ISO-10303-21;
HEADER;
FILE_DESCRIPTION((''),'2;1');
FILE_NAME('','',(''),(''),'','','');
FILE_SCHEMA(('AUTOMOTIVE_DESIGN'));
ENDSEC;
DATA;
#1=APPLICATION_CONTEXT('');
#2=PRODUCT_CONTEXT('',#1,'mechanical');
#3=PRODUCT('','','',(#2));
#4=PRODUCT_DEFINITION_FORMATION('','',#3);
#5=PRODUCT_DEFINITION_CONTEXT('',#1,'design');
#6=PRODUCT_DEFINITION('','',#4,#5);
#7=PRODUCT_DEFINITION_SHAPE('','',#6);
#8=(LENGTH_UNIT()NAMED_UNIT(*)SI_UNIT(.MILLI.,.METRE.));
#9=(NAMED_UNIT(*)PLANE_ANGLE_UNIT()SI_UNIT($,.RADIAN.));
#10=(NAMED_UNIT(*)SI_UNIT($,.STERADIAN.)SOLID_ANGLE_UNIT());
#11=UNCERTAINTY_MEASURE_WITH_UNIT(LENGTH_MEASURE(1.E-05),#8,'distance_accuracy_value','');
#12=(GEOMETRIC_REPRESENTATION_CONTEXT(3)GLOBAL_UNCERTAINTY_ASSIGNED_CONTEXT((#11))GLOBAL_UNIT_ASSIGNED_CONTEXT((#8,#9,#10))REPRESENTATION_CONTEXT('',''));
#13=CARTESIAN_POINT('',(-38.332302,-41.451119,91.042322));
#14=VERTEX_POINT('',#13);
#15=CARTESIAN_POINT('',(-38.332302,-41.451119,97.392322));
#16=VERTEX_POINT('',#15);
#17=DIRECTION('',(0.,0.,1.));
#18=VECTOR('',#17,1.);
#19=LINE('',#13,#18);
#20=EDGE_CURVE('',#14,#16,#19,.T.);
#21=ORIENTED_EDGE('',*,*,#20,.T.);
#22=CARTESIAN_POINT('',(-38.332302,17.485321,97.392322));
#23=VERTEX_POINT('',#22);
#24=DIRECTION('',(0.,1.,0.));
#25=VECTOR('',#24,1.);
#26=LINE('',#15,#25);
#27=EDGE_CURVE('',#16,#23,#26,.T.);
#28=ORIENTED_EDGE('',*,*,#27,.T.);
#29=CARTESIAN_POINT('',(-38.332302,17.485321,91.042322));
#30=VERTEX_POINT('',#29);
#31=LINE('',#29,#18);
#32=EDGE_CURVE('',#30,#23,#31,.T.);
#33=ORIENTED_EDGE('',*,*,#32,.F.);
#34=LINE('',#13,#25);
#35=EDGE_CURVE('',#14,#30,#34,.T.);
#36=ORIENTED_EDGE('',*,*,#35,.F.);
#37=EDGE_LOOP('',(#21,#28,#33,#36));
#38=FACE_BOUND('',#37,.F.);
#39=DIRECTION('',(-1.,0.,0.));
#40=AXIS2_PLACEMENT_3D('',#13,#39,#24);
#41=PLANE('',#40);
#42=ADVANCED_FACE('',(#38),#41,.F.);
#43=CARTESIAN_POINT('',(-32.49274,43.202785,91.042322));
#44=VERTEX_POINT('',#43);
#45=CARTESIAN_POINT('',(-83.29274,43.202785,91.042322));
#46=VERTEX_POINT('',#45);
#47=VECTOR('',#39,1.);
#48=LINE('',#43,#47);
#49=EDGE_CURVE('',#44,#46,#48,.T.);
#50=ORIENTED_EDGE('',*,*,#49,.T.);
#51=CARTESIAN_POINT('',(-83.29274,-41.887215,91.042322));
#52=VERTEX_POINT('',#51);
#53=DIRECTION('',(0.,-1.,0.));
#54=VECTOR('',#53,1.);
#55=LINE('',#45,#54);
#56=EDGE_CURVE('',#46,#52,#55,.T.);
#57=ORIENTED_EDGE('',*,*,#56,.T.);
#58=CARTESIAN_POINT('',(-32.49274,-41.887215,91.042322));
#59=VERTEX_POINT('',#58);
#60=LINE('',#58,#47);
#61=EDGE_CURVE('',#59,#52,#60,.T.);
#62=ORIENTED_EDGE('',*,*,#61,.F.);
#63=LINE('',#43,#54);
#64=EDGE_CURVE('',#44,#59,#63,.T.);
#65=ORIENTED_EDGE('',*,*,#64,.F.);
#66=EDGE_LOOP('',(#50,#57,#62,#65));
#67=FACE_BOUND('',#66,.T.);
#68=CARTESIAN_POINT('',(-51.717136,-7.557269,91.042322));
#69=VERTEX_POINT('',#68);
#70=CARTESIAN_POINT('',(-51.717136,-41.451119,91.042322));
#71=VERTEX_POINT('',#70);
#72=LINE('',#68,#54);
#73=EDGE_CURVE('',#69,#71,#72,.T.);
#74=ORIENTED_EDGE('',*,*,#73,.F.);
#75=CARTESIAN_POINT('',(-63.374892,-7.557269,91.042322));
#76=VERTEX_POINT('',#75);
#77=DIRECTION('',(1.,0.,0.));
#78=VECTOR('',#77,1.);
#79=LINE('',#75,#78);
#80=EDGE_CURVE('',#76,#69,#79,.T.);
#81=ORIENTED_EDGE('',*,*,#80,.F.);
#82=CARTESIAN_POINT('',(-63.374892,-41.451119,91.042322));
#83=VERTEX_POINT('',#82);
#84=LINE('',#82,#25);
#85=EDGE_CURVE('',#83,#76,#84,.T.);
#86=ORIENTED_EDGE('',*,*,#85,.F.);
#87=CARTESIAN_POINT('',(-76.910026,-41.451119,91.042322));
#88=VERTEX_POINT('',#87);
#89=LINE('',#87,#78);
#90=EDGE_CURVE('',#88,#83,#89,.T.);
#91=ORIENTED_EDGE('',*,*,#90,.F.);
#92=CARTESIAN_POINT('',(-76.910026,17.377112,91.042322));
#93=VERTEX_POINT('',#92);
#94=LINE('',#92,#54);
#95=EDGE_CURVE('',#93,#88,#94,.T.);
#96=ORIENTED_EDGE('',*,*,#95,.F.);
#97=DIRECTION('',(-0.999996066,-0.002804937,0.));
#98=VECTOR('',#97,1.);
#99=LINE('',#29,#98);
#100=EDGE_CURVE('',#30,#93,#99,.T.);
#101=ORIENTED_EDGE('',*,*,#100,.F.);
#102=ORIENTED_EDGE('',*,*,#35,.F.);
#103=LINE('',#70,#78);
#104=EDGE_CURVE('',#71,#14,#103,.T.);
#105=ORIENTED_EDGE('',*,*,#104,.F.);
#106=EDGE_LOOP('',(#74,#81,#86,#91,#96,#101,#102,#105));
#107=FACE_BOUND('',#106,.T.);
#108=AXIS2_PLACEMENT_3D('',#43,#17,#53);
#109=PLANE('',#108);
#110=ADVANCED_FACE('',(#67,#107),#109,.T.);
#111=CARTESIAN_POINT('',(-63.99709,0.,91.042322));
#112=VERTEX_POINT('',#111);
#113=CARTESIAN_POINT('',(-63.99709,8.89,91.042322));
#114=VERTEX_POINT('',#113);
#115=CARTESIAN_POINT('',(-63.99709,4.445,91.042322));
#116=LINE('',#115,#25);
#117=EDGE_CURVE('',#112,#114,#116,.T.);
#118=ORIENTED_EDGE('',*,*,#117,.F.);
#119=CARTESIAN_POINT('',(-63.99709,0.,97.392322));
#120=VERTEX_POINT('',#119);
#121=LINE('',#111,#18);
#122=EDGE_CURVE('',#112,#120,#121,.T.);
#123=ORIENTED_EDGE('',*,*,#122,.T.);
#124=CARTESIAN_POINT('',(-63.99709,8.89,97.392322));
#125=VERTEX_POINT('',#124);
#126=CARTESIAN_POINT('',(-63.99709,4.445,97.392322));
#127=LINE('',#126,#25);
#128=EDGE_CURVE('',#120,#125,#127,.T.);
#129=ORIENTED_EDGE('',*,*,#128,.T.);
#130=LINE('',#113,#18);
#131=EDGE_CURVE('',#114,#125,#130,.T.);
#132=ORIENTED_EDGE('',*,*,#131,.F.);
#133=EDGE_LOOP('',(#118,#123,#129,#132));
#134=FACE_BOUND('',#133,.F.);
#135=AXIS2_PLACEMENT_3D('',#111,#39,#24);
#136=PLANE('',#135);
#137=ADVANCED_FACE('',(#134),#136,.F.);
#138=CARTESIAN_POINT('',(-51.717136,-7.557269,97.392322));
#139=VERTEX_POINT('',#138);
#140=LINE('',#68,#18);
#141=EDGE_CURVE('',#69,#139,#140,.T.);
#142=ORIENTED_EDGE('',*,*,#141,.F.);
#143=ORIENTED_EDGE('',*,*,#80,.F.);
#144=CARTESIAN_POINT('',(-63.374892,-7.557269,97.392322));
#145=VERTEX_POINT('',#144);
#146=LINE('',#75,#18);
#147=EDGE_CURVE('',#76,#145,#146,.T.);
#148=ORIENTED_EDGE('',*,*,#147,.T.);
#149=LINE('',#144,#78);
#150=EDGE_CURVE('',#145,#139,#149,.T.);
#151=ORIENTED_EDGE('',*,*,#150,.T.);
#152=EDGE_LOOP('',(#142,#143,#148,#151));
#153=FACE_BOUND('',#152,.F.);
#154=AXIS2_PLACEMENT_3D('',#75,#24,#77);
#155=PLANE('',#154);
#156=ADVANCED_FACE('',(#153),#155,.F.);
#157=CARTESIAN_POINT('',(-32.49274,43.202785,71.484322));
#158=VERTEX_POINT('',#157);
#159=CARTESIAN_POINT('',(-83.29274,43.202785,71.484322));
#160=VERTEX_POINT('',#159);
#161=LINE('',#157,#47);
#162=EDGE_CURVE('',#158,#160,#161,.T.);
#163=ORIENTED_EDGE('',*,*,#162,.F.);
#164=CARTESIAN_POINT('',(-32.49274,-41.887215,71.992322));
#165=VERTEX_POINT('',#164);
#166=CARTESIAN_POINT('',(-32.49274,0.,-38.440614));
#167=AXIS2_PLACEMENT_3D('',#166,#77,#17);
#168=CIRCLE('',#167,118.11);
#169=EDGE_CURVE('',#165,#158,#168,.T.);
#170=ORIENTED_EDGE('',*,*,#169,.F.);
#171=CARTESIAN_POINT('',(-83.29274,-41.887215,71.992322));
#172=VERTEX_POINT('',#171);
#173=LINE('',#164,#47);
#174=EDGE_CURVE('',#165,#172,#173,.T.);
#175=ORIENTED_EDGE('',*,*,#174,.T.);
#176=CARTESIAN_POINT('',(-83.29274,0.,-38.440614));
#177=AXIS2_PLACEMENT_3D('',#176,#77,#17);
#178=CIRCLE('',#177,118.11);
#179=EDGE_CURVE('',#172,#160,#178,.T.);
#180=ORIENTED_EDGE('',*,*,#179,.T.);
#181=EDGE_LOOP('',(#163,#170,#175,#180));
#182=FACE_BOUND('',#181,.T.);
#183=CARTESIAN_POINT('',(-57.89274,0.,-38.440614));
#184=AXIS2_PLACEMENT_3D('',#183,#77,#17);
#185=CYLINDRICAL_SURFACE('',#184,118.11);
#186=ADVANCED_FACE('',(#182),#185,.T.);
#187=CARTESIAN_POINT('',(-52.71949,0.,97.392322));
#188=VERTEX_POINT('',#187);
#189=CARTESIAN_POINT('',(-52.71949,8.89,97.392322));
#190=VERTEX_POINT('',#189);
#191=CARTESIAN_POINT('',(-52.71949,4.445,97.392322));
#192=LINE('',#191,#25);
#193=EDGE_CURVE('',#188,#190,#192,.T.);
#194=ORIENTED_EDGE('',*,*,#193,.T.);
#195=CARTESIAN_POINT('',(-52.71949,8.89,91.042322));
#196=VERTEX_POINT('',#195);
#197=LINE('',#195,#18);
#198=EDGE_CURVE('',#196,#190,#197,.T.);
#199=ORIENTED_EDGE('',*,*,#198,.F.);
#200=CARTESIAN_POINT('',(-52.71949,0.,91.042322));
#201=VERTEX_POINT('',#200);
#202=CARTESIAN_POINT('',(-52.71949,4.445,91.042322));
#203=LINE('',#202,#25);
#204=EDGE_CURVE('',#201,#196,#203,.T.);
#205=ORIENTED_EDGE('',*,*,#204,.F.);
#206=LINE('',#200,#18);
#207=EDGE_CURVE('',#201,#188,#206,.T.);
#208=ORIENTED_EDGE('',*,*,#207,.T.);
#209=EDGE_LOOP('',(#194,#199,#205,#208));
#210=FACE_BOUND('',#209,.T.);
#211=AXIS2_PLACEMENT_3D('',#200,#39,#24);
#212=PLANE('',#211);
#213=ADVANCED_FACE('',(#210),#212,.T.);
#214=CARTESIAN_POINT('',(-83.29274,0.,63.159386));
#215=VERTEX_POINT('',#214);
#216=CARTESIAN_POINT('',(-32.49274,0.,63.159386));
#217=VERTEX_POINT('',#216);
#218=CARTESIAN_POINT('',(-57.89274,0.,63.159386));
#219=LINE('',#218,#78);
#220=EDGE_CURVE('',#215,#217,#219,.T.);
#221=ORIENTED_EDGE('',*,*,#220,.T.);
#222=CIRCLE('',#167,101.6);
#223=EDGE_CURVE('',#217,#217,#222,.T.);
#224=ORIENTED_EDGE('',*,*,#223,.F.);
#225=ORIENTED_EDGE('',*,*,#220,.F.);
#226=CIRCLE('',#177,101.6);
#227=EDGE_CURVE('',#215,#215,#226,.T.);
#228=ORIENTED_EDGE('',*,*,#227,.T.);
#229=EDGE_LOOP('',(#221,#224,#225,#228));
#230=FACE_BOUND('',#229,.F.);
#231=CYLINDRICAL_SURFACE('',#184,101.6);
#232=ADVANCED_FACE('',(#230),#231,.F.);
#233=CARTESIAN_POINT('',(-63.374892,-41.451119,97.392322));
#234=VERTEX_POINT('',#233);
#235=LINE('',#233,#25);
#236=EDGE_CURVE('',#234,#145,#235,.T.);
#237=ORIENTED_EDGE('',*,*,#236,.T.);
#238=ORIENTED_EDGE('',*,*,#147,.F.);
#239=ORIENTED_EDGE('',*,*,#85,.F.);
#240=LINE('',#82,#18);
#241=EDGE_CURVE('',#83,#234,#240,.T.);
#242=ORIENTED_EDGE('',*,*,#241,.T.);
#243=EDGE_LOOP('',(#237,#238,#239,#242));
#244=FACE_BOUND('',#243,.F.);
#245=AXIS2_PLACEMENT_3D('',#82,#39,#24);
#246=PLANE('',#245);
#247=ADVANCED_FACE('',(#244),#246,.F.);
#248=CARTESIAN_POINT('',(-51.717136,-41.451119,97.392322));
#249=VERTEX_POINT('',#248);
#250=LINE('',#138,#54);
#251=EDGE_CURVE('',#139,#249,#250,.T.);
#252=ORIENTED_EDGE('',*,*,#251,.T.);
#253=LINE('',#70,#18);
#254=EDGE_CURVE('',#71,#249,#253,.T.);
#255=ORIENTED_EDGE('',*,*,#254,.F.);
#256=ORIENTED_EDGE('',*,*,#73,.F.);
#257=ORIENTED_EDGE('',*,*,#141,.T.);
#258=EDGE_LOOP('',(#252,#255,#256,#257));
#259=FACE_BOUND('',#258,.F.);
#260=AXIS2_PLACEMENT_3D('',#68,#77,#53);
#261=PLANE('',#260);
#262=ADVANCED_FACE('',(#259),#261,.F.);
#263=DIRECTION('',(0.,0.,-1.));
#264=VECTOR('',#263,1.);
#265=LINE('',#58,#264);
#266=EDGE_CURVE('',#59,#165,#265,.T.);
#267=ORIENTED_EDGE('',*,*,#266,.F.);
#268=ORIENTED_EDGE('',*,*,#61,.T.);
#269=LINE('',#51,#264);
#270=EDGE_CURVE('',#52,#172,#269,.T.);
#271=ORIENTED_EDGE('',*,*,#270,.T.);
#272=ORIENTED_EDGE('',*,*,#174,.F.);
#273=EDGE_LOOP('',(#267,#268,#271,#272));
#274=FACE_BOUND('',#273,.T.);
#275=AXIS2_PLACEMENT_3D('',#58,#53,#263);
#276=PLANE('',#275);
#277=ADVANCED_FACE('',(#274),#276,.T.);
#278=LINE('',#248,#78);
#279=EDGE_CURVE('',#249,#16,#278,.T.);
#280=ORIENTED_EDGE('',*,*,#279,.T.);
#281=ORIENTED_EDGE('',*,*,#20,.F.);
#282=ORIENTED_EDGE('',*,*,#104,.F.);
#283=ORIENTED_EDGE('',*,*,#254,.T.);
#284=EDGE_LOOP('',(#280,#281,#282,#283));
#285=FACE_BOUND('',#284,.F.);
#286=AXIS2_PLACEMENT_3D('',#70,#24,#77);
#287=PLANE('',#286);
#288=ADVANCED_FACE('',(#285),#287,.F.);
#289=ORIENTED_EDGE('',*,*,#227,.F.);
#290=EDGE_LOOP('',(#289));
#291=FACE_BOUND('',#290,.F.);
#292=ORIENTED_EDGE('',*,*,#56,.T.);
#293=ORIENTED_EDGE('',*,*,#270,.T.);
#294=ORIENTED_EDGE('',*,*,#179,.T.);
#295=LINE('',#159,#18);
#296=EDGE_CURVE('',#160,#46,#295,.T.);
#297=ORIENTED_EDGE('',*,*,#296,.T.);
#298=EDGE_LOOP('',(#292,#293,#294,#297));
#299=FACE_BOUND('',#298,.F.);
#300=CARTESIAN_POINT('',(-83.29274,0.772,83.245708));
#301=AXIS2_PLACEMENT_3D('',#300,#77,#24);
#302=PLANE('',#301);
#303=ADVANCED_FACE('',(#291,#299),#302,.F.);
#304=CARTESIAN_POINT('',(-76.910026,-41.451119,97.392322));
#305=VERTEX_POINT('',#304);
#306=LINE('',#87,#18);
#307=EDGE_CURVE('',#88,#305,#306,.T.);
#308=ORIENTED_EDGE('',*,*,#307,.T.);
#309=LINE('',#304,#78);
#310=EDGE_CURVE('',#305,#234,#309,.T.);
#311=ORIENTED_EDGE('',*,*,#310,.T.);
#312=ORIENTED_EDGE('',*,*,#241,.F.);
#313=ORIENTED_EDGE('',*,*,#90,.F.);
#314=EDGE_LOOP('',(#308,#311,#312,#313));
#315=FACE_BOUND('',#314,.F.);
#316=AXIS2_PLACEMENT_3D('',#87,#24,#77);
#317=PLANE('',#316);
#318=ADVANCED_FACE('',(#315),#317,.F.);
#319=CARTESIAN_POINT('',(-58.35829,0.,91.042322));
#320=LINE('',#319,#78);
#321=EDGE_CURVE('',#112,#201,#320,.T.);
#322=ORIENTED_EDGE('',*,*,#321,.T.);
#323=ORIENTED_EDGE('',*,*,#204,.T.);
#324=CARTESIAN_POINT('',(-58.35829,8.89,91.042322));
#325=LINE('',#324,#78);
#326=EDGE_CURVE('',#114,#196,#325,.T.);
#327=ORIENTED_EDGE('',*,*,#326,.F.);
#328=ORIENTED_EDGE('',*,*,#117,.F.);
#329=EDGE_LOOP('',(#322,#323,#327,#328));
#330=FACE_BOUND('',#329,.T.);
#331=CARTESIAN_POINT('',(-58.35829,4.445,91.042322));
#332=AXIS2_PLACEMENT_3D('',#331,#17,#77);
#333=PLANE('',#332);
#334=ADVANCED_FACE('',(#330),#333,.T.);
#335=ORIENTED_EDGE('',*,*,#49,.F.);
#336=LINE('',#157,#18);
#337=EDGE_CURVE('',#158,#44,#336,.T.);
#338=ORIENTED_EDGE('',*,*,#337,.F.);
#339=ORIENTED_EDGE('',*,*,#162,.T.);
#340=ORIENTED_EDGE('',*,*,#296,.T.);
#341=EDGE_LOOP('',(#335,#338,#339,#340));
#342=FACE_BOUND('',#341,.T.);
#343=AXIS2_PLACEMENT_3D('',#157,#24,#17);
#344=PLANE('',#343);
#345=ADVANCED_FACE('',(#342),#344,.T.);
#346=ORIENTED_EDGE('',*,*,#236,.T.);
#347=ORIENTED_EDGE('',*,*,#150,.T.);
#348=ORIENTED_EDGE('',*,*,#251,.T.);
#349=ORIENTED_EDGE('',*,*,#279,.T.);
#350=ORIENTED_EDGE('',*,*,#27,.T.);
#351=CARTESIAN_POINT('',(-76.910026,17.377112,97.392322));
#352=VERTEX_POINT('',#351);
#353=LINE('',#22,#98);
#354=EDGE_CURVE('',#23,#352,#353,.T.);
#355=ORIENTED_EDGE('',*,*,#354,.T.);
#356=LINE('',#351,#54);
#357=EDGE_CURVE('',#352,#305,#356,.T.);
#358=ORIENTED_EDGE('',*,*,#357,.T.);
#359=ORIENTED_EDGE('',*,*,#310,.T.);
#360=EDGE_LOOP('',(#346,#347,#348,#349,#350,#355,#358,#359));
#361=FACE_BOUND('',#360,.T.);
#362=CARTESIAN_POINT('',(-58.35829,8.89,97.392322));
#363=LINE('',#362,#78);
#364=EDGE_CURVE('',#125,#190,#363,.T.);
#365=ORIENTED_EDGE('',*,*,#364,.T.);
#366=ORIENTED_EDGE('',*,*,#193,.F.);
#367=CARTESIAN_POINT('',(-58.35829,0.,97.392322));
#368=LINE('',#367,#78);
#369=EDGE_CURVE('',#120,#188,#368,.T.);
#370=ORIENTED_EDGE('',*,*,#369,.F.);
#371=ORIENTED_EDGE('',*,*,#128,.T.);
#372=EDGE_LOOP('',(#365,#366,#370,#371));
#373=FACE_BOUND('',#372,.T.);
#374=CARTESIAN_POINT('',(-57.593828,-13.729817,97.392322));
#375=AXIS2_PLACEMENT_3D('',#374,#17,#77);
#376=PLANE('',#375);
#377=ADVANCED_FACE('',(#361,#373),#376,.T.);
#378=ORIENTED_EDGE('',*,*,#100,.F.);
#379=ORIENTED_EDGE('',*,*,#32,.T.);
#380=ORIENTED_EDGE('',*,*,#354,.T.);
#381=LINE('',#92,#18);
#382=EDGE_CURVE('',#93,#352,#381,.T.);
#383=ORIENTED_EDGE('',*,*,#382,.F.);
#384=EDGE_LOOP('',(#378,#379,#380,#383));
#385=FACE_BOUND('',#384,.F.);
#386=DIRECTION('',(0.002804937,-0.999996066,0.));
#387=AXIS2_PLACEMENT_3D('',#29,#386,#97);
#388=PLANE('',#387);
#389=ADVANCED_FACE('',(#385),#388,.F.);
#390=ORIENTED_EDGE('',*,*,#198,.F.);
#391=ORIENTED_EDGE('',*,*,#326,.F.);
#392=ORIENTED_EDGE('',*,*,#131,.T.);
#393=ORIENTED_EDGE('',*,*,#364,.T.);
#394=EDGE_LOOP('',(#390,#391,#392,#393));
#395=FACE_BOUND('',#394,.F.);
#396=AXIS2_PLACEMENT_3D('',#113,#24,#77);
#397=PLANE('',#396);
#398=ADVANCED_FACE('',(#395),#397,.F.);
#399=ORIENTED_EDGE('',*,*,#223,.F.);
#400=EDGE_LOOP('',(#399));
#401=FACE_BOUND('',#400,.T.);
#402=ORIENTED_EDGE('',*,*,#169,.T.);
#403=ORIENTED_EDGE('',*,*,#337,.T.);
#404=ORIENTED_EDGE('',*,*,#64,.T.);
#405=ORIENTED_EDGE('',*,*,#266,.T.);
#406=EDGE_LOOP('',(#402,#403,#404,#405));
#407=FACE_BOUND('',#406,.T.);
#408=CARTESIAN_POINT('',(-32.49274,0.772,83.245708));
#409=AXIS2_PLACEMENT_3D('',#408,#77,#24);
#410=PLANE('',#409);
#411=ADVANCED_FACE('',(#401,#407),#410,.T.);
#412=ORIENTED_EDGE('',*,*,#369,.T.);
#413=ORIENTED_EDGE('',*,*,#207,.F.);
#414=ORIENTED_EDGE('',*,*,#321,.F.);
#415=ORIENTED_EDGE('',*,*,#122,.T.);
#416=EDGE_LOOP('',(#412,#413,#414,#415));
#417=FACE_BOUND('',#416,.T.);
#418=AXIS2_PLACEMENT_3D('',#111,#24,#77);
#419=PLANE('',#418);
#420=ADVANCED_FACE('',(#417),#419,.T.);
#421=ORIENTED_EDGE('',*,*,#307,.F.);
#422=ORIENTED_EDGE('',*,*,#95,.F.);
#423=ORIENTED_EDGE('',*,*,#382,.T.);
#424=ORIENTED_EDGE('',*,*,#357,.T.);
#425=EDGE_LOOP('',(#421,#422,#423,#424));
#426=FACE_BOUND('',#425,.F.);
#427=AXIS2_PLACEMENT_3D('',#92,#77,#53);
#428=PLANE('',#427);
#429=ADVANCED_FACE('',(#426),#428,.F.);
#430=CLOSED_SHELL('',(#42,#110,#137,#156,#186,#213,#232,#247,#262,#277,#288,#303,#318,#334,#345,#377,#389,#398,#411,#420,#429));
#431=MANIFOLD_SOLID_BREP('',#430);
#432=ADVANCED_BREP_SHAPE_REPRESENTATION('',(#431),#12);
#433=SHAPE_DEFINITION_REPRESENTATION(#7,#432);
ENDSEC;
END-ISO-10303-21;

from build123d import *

# Parameters (mm, degrees)
F0_W     = 50.8
F0_H     = 16.51
F3_DEPTH = 50.8
F6_DEPTH = 6.35
F4_W     = 11.2776
F4_H     = 8.89
F7_DEPTH = 6.35


with BuildPart() as f1:
    # F0 (on Front) → F1 (revolve)
    with BuildSketch(Plane.XZ):
        with Locations((-57.8927400278, 71.4143859753)):
            Rectangle(F0_W, F0_H)
    revolve(axis=Axis((-60.0075013936, 0, -38.4406140247), (1, 0, 0)))

    # F2 (on face) → F3 (join)
    with BuildSketch(Plane.YZ.offset(-32.4927400278)):
        with BuildLine():
            ThreePointArc((-41.8872153091, 71.992321704), (0.7051217623, 79.667281153), (43.2027846909, 71.484321704))
            Line((43.2027846909, 71.484321704), (43.2027846909, 91.042321704))
            Line((43.2027846909, 91.042321704), (-41.8872153091, 91.042321704))
            Line((-41.8872153091, 91.042321704), (-41.8872153091, 71.992321704))
        make_face()
    extrude(amount=-F3_DEPTH)

    # F5 (on face) → F6 (join)
    with BuildSketch(Plane.XY.offset(91.042321704)):
        Polygon((-38.3323021233, 17.4853205681), (-76.9100263715, 17.3771120608), (-76.9100263715, -41.4511188865), (-63.3748918772, -41.4511188865), (-63.3748918772, -7.5572687201), (-51.7171360552, -7.5572687201), (-51.7171360552, -41.4511188865), (-38.3323021233, -41.4511188865), align=None)
    extrude(amount=F6_DEPTH)

    # F4 (on face) → F7 (cut)
    with BuildSketch(Plane.XY.offset(91.042321704)):
        with Locations((-58.3582898628, 4.445)):
            Rectangle(F4_W, F4_H)
    extrude(amount=F7_DEPTH, mode=Mode.SUBTRACT)


solid = f1.part
